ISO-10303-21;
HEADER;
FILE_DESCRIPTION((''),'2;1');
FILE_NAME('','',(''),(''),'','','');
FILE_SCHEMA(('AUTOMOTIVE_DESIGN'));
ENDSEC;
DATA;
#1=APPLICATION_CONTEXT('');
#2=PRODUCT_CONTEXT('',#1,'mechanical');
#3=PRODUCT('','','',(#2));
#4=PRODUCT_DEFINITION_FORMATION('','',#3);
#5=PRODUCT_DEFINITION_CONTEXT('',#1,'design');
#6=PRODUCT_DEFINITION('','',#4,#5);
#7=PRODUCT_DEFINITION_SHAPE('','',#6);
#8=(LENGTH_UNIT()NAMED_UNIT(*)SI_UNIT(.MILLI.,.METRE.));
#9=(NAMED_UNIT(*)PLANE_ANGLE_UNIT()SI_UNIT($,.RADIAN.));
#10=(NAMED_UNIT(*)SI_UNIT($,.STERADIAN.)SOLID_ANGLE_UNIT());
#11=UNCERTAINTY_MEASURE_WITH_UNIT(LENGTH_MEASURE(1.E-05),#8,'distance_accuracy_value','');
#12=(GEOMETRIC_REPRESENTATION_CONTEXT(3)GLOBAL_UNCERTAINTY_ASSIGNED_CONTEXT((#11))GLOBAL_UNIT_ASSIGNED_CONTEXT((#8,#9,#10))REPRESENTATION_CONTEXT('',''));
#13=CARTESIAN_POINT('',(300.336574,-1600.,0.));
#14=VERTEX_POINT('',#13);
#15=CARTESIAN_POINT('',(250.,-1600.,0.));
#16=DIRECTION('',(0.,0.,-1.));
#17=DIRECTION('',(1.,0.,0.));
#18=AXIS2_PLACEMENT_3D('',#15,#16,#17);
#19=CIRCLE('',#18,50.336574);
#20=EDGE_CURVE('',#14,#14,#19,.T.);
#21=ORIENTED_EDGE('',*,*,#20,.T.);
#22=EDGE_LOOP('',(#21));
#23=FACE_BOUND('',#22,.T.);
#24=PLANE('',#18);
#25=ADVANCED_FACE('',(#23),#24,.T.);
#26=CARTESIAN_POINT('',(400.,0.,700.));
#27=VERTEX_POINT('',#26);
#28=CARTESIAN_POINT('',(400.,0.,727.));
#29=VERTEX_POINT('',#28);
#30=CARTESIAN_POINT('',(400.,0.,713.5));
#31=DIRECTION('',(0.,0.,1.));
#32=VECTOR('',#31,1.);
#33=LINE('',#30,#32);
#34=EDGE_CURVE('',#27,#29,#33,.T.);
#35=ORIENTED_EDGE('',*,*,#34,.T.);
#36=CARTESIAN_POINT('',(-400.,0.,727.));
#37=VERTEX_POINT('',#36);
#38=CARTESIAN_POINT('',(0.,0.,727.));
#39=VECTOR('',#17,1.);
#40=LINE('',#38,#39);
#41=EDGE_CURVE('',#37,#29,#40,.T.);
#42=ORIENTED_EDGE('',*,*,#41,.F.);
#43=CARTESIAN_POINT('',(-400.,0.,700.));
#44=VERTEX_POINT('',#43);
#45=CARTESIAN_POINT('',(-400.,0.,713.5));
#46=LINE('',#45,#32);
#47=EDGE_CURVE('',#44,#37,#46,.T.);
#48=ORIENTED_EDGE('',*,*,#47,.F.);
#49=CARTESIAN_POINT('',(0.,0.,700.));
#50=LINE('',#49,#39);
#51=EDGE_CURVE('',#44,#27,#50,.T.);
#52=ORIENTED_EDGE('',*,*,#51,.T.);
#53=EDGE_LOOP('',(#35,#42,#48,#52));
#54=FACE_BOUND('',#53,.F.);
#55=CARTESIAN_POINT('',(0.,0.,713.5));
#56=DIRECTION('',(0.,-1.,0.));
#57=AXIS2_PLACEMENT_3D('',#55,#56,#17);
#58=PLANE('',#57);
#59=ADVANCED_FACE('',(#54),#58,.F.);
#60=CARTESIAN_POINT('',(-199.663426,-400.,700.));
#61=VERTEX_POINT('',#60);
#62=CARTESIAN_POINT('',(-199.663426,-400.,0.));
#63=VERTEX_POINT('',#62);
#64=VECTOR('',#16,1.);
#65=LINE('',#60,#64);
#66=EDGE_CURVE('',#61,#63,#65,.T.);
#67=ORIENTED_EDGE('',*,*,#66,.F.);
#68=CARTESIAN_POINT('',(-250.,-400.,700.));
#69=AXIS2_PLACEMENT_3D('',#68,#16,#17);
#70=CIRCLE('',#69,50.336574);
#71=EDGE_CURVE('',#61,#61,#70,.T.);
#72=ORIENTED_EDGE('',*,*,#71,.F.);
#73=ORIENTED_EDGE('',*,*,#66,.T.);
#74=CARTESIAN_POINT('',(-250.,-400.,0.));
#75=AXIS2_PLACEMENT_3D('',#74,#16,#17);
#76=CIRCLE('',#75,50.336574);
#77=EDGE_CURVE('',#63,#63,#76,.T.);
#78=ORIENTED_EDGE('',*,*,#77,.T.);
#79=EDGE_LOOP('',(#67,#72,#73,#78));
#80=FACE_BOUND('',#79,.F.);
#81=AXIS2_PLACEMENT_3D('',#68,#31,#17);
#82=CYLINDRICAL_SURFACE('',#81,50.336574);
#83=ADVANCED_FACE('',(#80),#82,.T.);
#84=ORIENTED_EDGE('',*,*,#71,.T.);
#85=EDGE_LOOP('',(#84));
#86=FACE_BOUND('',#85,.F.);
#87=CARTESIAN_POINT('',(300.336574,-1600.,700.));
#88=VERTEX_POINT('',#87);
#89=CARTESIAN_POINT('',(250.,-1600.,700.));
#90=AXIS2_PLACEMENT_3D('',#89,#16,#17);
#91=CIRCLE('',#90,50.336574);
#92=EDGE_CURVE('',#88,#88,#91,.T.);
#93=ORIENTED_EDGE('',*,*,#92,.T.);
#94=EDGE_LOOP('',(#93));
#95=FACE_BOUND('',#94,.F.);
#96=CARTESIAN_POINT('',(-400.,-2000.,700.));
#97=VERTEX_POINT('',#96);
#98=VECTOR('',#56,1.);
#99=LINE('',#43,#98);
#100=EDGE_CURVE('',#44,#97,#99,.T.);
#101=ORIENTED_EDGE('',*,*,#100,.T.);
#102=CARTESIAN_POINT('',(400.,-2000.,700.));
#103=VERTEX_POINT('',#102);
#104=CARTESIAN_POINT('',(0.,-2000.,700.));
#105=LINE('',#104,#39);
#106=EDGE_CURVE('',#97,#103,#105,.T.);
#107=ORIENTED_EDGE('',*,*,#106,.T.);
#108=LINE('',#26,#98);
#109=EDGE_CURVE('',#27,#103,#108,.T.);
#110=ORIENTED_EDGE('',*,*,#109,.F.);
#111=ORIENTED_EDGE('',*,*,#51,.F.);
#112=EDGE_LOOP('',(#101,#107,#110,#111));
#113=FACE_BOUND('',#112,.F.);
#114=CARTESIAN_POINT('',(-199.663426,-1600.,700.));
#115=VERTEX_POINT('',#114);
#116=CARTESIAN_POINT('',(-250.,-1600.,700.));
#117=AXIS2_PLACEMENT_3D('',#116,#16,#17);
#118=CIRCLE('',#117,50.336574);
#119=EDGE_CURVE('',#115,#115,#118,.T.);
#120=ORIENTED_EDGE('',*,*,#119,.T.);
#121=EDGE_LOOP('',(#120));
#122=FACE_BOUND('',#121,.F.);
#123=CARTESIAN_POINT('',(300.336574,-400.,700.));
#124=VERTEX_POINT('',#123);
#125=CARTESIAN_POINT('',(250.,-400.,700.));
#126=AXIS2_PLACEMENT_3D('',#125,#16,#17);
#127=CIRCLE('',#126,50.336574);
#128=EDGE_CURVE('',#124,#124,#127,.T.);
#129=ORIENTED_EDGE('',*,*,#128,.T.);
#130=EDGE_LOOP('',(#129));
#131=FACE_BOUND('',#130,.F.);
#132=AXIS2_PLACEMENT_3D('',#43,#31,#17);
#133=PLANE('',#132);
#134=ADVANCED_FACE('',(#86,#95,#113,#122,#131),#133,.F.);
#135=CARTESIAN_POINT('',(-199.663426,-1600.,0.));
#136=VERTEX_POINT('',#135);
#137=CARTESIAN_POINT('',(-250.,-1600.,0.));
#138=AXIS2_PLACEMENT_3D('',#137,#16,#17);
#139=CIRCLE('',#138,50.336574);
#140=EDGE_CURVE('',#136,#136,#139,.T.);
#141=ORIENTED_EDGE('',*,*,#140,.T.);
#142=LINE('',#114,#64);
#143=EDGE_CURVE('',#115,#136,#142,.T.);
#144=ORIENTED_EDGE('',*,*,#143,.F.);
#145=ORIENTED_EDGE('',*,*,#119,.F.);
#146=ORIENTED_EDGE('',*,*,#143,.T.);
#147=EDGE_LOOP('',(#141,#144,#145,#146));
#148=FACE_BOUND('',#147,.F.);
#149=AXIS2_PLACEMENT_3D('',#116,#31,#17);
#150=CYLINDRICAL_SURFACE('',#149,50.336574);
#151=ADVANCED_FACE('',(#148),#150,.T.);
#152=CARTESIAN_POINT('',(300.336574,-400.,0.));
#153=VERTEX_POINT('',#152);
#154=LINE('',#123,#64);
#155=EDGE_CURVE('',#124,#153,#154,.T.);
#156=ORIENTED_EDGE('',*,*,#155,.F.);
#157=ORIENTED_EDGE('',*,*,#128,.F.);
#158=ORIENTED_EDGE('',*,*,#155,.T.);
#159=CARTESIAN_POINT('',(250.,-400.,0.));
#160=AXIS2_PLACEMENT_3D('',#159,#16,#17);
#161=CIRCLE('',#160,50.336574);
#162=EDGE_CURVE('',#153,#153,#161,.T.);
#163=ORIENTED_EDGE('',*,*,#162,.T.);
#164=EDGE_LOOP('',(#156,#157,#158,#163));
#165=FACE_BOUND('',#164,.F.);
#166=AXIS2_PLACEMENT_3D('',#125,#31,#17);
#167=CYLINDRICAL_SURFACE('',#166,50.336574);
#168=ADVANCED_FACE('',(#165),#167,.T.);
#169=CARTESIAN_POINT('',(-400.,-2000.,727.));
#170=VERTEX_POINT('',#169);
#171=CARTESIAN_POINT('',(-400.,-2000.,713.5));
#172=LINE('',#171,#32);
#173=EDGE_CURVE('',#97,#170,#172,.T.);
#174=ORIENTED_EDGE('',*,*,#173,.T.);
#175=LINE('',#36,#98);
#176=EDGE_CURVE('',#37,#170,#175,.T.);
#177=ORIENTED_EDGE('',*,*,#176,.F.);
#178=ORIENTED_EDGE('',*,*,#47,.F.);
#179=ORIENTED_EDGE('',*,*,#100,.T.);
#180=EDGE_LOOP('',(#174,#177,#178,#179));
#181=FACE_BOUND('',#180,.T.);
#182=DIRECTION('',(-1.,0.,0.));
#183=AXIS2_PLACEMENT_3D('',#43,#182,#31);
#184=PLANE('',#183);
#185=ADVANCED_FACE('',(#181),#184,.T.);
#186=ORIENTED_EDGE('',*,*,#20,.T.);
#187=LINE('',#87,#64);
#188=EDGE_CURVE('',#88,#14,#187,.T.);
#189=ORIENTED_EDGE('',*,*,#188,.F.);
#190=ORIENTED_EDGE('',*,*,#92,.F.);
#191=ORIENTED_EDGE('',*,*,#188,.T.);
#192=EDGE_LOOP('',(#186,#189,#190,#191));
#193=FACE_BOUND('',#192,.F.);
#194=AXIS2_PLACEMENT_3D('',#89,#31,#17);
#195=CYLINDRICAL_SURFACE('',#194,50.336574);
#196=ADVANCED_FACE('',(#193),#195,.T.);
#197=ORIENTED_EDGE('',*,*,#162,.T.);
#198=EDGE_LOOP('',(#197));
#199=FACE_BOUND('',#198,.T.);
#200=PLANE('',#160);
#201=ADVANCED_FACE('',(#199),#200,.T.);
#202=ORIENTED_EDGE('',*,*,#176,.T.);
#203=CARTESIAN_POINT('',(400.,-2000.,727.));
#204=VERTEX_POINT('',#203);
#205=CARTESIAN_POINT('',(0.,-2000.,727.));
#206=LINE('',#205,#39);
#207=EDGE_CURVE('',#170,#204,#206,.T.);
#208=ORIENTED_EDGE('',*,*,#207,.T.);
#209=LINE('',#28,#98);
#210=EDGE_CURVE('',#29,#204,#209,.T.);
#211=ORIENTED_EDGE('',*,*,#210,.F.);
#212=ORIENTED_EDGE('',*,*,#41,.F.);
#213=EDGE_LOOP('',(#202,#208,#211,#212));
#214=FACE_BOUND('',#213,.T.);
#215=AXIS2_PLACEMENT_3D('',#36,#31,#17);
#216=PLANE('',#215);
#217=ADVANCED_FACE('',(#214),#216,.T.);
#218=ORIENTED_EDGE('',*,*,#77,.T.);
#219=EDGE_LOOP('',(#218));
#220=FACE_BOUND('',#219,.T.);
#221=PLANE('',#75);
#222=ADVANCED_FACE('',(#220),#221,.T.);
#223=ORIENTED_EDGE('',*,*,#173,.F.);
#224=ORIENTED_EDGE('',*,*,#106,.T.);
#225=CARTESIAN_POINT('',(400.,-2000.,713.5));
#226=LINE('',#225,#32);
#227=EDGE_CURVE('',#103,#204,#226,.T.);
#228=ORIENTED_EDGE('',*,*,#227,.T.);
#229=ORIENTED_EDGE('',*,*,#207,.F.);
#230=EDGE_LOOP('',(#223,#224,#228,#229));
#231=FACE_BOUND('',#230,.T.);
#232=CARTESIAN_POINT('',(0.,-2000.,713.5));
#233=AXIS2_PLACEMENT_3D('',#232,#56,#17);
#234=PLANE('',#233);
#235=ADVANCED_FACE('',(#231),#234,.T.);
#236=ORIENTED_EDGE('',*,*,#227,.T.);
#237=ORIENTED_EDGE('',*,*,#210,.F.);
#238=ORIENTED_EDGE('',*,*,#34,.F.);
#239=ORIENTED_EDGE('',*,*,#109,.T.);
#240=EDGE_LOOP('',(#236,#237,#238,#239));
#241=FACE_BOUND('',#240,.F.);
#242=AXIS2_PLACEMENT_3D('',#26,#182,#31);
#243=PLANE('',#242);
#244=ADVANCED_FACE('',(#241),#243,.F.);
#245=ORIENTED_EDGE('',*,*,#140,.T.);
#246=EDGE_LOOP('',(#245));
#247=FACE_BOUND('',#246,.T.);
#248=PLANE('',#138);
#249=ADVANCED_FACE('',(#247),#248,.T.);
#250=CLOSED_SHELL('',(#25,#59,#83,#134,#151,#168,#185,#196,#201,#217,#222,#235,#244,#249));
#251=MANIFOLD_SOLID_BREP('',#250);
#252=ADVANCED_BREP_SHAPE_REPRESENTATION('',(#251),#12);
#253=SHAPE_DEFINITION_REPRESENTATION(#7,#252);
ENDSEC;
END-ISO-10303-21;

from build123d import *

# Parameters (mm, degrees)
F0_W     = 800
F0_H     = 27
F1_DEPTH = 2000
F2_R     = 50.336574
F3_DEPTH = 700


with BuildPart() as f1:
    # F0 (on Front) → F1 (new body)
    with BuildSketch(Plane.XZ):
        with Locations((0, 713.5)):
            Rectangle(F0_W, F0_H)
    extrude(amount=F1_DEPTH)

    # F2 (on face) → F3 (join)
    with BuildSketch(Plane(origin=(0, 0, 700), x_dir=(1, 0, 0), z_dir=(0, 0, -1))):
        with Locations((-250, 400)):
            Circle(F2_R)
        with Locations((-250, 1600)):
            Circle(F2_R)
        with Locations((250, 1600)):
            Circle(F2_R)
        with Locations((250, 400)):
            Circle(F2_R)
    extrude(amount=F3_DEPTH)


solid = f1.part
